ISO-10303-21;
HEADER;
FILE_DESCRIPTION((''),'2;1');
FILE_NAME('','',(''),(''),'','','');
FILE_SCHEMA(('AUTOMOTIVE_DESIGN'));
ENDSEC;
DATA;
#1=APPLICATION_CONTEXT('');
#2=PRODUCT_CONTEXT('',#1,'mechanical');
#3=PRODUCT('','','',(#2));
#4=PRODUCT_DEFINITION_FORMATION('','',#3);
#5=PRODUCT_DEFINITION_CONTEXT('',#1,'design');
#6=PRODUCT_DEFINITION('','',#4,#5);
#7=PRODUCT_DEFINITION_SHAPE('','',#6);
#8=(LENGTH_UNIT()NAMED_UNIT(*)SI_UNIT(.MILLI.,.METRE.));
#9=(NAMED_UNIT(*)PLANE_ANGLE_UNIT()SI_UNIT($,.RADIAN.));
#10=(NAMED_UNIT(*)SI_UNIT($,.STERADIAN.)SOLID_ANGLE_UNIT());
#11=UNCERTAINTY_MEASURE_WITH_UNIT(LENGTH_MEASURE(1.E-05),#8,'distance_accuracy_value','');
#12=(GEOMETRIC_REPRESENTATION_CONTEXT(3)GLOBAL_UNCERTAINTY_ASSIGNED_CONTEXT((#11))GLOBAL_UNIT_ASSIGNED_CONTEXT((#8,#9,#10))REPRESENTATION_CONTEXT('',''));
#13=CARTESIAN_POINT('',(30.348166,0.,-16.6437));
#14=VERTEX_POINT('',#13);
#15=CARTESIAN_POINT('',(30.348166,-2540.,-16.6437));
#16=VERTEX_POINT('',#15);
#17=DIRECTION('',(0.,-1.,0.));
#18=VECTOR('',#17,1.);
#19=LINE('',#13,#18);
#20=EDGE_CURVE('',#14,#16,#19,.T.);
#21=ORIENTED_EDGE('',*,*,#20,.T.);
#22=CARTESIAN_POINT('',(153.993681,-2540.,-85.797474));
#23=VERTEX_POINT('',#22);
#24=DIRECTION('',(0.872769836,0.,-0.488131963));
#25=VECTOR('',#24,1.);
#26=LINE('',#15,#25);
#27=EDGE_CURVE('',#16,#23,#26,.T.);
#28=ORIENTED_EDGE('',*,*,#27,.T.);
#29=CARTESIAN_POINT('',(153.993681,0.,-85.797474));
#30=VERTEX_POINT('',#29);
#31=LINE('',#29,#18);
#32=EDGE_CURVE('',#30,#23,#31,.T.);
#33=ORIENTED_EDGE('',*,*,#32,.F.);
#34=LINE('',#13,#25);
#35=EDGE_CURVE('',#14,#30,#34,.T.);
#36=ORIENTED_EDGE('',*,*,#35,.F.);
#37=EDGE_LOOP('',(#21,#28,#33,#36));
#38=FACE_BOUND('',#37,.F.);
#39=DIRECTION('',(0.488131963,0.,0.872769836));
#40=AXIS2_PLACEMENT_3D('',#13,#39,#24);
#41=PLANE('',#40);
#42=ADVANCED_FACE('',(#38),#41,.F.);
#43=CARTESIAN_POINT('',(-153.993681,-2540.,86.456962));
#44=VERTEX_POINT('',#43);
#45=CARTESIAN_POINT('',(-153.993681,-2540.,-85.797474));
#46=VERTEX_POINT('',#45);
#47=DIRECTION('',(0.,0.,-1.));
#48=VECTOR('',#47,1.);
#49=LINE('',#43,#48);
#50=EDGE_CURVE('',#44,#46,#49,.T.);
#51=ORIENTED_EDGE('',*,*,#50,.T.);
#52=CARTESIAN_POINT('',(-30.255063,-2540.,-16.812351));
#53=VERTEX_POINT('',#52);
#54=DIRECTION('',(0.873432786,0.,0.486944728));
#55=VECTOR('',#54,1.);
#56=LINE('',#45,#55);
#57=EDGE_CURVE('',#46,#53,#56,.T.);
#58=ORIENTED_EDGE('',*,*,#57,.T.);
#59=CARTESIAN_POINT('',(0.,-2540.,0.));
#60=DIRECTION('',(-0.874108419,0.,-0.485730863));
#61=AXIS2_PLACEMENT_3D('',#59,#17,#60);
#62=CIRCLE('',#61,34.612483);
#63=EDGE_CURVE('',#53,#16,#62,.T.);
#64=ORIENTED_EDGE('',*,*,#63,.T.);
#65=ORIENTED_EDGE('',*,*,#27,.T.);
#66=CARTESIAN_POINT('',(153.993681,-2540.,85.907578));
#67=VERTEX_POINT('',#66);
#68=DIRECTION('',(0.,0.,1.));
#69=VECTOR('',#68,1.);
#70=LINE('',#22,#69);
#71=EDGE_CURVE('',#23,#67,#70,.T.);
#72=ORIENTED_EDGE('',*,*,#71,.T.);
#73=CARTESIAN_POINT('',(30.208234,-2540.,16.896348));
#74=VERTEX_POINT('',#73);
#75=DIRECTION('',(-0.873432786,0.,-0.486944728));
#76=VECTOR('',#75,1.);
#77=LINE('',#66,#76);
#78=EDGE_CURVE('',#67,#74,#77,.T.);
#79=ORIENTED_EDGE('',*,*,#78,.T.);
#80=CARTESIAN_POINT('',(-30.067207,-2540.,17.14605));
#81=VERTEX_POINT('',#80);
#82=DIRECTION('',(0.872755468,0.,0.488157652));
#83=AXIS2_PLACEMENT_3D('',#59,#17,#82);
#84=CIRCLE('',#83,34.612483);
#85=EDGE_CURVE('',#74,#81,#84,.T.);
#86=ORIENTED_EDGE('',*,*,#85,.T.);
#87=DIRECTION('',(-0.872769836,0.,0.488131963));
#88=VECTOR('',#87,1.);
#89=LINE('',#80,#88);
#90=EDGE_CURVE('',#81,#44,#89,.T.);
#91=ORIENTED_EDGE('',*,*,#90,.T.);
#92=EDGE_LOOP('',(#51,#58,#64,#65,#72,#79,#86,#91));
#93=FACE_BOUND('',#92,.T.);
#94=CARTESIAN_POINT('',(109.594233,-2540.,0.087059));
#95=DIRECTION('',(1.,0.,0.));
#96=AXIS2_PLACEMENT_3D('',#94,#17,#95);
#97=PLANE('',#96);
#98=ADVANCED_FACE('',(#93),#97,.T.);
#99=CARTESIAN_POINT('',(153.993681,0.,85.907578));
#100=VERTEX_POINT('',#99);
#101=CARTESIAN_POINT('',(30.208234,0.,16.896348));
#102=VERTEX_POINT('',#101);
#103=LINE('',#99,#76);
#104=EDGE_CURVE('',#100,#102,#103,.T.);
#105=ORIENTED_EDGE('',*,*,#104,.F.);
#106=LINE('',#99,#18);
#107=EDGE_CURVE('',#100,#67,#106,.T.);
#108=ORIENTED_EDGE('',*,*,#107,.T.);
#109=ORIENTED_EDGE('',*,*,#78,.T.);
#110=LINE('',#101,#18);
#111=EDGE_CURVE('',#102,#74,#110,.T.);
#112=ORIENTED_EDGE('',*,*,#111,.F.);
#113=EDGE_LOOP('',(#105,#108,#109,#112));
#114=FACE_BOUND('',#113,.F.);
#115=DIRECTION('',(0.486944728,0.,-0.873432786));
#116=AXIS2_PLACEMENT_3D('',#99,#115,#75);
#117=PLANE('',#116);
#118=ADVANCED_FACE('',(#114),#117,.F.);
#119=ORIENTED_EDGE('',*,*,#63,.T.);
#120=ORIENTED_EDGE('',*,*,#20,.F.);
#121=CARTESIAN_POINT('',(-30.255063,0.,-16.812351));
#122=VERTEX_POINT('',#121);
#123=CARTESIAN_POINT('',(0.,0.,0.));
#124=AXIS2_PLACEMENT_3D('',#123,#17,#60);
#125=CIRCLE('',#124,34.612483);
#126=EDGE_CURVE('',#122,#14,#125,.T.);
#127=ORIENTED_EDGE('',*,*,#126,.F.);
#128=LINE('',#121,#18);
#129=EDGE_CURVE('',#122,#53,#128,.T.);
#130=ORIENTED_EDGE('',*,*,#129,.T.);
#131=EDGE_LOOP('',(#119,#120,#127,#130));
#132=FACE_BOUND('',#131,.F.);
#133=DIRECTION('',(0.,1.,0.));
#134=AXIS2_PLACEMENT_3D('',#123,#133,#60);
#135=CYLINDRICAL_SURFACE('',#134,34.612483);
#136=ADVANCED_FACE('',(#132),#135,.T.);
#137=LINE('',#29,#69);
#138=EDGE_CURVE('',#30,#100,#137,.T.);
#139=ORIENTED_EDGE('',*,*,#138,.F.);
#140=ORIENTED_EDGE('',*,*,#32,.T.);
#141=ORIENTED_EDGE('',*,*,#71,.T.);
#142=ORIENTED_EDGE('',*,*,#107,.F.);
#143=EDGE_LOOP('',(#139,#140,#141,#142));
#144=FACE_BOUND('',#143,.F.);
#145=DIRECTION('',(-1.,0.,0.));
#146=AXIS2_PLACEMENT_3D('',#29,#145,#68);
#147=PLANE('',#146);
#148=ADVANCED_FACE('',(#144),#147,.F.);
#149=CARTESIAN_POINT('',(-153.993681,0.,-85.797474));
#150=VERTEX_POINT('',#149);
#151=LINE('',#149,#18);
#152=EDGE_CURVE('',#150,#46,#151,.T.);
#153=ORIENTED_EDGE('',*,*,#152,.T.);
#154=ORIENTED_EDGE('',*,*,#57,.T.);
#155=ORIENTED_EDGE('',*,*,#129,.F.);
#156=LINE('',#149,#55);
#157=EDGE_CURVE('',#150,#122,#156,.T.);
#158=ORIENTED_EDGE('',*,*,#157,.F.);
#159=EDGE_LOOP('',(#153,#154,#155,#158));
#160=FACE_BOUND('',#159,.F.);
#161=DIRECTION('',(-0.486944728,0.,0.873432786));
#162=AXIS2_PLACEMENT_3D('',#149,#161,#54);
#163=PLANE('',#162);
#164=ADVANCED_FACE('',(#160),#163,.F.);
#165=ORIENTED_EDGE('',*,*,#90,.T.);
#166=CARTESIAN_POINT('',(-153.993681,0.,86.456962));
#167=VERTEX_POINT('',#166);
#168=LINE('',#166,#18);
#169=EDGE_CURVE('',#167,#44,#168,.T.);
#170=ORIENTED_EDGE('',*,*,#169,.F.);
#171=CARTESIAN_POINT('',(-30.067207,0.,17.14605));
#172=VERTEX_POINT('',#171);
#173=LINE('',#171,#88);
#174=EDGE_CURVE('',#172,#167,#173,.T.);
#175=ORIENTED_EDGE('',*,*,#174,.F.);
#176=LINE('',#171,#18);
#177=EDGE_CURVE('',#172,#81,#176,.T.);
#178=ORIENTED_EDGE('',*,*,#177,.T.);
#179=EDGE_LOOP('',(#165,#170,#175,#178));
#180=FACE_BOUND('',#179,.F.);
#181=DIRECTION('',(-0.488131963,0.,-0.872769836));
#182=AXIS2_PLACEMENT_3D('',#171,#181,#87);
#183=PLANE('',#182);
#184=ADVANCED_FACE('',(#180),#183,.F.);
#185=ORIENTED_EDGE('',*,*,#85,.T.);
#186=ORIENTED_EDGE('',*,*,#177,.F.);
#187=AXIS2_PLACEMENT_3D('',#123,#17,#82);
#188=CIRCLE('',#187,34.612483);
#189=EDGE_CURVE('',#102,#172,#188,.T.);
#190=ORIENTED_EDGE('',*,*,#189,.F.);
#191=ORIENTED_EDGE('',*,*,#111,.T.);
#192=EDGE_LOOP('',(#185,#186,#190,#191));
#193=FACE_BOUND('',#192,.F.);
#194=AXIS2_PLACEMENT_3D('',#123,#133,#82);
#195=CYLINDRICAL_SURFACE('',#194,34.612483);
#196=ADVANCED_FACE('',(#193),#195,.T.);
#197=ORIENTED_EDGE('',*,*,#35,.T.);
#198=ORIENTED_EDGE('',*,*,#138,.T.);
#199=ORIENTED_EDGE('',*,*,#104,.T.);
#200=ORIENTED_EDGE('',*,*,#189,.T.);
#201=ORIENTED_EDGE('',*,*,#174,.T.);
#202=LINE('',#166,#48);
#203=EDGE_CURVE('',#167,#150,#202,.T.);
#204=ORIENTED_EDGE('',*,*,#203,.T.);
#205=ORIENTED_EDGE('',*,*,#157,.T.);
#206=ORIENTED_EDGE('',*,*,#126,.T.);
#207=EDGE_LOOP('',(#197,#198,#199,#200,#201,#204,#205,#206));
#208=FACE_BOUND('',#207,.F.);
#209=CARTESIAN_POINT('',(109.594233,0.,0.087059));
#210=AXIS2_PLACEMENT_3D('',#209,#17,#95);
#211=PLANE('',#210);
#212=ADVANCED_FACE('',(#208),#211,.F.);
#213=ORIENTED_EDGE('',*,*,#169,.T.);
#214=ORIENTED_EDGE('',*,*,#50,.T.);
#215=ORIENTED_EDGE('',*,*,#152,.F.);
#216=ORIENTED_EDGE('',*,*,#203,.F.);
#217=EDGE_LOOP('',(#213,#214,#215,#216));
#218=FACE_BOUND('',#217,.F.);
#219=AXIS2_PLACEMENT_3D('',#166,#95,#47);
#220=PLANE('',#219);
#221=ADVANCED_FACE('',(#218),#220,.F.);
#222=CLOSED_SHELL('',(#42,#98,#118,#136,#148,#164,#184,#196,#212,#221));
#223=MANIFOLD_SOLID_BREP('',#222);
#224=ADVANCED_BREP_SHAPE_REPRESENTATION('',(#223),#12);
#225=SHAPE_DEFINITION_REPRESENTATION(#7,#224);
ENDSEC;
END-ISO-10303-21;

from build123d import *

# Parameters (mm, degrees)
F1_DEPTH = 2540


with BuildPart() as f1:
    # F0 (on Front) → F1 (new body)
    with BuildSketch(Plane.XZ):
        with BuildLine():
            Line((153.9936810732, 85.9075784683), (30.2082335464, 16.8963483059))
            ThreePointArc((30.2082335464, 16.8963483059), (33.4933271093, 8.7304638603), (34.6124827204, 0))
            ThreePointArc((34.6124827204, 0), (33.5294597887, -8.5906511012), (30.3481664655, -16.6437000769))
            Line((30.3481664655, -16.6437000769), (153.9936810732, -85.7974737883))
            Line((153.9936810732, -85.7974737883), (153.9936810732, 85.9075784683))
        make_face()
        with BuildLine():
            ThreePointArc((30.2082335464, 16.8963483059), (0.1433871846, 34.6121857181), (-30.0672068078, 17.1460501237))
            Line((-30.0672068078, 17.1460501237), (0.2459637966, 0.192178832))
            Line((0.2459637966, 0.192178832), (30.2082335464, 16.8963483059))
        make_face()
        with BuildLine():
            Line((30.3481664655, -16.6437000769), (0.2459637966, 0.192178832))
            Line((0.2459637966, 0.192178832), (-30.2550625521, -16.8123511155))
            ThreePointArc((-30.2550625521, -16.8123511155), (0.0963217415, -34.6123486951), (30.3481664655, -16.6437000769))
        make_face()
        with BuildLine():
            Line((0.2459637966, 0.192178832), (-30.0672068078, 17.1460501237))
            ThreePointArc((-30.0672068078, 17.1460501237), (-34.6119531212, 0.1914711524), (-30.2550625521, -16.8123511155))
            Line((-30.2550625521, -16.8123511155), (0.2459637966, 0.192178832))
        make_face()
        with BuildLine():
            Line((30.2082335464, 16.8963483059), (0.2459637966, 0.192178832))
            Line((0.2459637966, 0.192178832), (30.3481664655, -16.6437000769))
            ThreePointArc((30.3481664655, -16.6437000769), (33.5294597887, -8.5906511012), (34.6124827204, 0))
            ThreePointArc((34.6124827204, 0), (33.4933271093, 8.7304638603), (30.2082335464, 16.8963483059))
        make_face()
        with BuildLine():
            Line((-30.0672068078, 17.1460501237), (-153.9936810732, 86.4569619298))
            Line((-153.9936810732, 86.4569619298), (-153.9936810732, -85.7974737883))
            Line((-153.9936810732, -85.7974737883), (-30.2550625521, -16.8123511155))
            ThreePointArc((-30.2550625521, -16.8123511155), (-34.6119531212, 0.1914711524), (-30.0672068078, 17.1460501237))
        make_face()
    extrude(amount=F1_DEPTH)


solid = f1.part
